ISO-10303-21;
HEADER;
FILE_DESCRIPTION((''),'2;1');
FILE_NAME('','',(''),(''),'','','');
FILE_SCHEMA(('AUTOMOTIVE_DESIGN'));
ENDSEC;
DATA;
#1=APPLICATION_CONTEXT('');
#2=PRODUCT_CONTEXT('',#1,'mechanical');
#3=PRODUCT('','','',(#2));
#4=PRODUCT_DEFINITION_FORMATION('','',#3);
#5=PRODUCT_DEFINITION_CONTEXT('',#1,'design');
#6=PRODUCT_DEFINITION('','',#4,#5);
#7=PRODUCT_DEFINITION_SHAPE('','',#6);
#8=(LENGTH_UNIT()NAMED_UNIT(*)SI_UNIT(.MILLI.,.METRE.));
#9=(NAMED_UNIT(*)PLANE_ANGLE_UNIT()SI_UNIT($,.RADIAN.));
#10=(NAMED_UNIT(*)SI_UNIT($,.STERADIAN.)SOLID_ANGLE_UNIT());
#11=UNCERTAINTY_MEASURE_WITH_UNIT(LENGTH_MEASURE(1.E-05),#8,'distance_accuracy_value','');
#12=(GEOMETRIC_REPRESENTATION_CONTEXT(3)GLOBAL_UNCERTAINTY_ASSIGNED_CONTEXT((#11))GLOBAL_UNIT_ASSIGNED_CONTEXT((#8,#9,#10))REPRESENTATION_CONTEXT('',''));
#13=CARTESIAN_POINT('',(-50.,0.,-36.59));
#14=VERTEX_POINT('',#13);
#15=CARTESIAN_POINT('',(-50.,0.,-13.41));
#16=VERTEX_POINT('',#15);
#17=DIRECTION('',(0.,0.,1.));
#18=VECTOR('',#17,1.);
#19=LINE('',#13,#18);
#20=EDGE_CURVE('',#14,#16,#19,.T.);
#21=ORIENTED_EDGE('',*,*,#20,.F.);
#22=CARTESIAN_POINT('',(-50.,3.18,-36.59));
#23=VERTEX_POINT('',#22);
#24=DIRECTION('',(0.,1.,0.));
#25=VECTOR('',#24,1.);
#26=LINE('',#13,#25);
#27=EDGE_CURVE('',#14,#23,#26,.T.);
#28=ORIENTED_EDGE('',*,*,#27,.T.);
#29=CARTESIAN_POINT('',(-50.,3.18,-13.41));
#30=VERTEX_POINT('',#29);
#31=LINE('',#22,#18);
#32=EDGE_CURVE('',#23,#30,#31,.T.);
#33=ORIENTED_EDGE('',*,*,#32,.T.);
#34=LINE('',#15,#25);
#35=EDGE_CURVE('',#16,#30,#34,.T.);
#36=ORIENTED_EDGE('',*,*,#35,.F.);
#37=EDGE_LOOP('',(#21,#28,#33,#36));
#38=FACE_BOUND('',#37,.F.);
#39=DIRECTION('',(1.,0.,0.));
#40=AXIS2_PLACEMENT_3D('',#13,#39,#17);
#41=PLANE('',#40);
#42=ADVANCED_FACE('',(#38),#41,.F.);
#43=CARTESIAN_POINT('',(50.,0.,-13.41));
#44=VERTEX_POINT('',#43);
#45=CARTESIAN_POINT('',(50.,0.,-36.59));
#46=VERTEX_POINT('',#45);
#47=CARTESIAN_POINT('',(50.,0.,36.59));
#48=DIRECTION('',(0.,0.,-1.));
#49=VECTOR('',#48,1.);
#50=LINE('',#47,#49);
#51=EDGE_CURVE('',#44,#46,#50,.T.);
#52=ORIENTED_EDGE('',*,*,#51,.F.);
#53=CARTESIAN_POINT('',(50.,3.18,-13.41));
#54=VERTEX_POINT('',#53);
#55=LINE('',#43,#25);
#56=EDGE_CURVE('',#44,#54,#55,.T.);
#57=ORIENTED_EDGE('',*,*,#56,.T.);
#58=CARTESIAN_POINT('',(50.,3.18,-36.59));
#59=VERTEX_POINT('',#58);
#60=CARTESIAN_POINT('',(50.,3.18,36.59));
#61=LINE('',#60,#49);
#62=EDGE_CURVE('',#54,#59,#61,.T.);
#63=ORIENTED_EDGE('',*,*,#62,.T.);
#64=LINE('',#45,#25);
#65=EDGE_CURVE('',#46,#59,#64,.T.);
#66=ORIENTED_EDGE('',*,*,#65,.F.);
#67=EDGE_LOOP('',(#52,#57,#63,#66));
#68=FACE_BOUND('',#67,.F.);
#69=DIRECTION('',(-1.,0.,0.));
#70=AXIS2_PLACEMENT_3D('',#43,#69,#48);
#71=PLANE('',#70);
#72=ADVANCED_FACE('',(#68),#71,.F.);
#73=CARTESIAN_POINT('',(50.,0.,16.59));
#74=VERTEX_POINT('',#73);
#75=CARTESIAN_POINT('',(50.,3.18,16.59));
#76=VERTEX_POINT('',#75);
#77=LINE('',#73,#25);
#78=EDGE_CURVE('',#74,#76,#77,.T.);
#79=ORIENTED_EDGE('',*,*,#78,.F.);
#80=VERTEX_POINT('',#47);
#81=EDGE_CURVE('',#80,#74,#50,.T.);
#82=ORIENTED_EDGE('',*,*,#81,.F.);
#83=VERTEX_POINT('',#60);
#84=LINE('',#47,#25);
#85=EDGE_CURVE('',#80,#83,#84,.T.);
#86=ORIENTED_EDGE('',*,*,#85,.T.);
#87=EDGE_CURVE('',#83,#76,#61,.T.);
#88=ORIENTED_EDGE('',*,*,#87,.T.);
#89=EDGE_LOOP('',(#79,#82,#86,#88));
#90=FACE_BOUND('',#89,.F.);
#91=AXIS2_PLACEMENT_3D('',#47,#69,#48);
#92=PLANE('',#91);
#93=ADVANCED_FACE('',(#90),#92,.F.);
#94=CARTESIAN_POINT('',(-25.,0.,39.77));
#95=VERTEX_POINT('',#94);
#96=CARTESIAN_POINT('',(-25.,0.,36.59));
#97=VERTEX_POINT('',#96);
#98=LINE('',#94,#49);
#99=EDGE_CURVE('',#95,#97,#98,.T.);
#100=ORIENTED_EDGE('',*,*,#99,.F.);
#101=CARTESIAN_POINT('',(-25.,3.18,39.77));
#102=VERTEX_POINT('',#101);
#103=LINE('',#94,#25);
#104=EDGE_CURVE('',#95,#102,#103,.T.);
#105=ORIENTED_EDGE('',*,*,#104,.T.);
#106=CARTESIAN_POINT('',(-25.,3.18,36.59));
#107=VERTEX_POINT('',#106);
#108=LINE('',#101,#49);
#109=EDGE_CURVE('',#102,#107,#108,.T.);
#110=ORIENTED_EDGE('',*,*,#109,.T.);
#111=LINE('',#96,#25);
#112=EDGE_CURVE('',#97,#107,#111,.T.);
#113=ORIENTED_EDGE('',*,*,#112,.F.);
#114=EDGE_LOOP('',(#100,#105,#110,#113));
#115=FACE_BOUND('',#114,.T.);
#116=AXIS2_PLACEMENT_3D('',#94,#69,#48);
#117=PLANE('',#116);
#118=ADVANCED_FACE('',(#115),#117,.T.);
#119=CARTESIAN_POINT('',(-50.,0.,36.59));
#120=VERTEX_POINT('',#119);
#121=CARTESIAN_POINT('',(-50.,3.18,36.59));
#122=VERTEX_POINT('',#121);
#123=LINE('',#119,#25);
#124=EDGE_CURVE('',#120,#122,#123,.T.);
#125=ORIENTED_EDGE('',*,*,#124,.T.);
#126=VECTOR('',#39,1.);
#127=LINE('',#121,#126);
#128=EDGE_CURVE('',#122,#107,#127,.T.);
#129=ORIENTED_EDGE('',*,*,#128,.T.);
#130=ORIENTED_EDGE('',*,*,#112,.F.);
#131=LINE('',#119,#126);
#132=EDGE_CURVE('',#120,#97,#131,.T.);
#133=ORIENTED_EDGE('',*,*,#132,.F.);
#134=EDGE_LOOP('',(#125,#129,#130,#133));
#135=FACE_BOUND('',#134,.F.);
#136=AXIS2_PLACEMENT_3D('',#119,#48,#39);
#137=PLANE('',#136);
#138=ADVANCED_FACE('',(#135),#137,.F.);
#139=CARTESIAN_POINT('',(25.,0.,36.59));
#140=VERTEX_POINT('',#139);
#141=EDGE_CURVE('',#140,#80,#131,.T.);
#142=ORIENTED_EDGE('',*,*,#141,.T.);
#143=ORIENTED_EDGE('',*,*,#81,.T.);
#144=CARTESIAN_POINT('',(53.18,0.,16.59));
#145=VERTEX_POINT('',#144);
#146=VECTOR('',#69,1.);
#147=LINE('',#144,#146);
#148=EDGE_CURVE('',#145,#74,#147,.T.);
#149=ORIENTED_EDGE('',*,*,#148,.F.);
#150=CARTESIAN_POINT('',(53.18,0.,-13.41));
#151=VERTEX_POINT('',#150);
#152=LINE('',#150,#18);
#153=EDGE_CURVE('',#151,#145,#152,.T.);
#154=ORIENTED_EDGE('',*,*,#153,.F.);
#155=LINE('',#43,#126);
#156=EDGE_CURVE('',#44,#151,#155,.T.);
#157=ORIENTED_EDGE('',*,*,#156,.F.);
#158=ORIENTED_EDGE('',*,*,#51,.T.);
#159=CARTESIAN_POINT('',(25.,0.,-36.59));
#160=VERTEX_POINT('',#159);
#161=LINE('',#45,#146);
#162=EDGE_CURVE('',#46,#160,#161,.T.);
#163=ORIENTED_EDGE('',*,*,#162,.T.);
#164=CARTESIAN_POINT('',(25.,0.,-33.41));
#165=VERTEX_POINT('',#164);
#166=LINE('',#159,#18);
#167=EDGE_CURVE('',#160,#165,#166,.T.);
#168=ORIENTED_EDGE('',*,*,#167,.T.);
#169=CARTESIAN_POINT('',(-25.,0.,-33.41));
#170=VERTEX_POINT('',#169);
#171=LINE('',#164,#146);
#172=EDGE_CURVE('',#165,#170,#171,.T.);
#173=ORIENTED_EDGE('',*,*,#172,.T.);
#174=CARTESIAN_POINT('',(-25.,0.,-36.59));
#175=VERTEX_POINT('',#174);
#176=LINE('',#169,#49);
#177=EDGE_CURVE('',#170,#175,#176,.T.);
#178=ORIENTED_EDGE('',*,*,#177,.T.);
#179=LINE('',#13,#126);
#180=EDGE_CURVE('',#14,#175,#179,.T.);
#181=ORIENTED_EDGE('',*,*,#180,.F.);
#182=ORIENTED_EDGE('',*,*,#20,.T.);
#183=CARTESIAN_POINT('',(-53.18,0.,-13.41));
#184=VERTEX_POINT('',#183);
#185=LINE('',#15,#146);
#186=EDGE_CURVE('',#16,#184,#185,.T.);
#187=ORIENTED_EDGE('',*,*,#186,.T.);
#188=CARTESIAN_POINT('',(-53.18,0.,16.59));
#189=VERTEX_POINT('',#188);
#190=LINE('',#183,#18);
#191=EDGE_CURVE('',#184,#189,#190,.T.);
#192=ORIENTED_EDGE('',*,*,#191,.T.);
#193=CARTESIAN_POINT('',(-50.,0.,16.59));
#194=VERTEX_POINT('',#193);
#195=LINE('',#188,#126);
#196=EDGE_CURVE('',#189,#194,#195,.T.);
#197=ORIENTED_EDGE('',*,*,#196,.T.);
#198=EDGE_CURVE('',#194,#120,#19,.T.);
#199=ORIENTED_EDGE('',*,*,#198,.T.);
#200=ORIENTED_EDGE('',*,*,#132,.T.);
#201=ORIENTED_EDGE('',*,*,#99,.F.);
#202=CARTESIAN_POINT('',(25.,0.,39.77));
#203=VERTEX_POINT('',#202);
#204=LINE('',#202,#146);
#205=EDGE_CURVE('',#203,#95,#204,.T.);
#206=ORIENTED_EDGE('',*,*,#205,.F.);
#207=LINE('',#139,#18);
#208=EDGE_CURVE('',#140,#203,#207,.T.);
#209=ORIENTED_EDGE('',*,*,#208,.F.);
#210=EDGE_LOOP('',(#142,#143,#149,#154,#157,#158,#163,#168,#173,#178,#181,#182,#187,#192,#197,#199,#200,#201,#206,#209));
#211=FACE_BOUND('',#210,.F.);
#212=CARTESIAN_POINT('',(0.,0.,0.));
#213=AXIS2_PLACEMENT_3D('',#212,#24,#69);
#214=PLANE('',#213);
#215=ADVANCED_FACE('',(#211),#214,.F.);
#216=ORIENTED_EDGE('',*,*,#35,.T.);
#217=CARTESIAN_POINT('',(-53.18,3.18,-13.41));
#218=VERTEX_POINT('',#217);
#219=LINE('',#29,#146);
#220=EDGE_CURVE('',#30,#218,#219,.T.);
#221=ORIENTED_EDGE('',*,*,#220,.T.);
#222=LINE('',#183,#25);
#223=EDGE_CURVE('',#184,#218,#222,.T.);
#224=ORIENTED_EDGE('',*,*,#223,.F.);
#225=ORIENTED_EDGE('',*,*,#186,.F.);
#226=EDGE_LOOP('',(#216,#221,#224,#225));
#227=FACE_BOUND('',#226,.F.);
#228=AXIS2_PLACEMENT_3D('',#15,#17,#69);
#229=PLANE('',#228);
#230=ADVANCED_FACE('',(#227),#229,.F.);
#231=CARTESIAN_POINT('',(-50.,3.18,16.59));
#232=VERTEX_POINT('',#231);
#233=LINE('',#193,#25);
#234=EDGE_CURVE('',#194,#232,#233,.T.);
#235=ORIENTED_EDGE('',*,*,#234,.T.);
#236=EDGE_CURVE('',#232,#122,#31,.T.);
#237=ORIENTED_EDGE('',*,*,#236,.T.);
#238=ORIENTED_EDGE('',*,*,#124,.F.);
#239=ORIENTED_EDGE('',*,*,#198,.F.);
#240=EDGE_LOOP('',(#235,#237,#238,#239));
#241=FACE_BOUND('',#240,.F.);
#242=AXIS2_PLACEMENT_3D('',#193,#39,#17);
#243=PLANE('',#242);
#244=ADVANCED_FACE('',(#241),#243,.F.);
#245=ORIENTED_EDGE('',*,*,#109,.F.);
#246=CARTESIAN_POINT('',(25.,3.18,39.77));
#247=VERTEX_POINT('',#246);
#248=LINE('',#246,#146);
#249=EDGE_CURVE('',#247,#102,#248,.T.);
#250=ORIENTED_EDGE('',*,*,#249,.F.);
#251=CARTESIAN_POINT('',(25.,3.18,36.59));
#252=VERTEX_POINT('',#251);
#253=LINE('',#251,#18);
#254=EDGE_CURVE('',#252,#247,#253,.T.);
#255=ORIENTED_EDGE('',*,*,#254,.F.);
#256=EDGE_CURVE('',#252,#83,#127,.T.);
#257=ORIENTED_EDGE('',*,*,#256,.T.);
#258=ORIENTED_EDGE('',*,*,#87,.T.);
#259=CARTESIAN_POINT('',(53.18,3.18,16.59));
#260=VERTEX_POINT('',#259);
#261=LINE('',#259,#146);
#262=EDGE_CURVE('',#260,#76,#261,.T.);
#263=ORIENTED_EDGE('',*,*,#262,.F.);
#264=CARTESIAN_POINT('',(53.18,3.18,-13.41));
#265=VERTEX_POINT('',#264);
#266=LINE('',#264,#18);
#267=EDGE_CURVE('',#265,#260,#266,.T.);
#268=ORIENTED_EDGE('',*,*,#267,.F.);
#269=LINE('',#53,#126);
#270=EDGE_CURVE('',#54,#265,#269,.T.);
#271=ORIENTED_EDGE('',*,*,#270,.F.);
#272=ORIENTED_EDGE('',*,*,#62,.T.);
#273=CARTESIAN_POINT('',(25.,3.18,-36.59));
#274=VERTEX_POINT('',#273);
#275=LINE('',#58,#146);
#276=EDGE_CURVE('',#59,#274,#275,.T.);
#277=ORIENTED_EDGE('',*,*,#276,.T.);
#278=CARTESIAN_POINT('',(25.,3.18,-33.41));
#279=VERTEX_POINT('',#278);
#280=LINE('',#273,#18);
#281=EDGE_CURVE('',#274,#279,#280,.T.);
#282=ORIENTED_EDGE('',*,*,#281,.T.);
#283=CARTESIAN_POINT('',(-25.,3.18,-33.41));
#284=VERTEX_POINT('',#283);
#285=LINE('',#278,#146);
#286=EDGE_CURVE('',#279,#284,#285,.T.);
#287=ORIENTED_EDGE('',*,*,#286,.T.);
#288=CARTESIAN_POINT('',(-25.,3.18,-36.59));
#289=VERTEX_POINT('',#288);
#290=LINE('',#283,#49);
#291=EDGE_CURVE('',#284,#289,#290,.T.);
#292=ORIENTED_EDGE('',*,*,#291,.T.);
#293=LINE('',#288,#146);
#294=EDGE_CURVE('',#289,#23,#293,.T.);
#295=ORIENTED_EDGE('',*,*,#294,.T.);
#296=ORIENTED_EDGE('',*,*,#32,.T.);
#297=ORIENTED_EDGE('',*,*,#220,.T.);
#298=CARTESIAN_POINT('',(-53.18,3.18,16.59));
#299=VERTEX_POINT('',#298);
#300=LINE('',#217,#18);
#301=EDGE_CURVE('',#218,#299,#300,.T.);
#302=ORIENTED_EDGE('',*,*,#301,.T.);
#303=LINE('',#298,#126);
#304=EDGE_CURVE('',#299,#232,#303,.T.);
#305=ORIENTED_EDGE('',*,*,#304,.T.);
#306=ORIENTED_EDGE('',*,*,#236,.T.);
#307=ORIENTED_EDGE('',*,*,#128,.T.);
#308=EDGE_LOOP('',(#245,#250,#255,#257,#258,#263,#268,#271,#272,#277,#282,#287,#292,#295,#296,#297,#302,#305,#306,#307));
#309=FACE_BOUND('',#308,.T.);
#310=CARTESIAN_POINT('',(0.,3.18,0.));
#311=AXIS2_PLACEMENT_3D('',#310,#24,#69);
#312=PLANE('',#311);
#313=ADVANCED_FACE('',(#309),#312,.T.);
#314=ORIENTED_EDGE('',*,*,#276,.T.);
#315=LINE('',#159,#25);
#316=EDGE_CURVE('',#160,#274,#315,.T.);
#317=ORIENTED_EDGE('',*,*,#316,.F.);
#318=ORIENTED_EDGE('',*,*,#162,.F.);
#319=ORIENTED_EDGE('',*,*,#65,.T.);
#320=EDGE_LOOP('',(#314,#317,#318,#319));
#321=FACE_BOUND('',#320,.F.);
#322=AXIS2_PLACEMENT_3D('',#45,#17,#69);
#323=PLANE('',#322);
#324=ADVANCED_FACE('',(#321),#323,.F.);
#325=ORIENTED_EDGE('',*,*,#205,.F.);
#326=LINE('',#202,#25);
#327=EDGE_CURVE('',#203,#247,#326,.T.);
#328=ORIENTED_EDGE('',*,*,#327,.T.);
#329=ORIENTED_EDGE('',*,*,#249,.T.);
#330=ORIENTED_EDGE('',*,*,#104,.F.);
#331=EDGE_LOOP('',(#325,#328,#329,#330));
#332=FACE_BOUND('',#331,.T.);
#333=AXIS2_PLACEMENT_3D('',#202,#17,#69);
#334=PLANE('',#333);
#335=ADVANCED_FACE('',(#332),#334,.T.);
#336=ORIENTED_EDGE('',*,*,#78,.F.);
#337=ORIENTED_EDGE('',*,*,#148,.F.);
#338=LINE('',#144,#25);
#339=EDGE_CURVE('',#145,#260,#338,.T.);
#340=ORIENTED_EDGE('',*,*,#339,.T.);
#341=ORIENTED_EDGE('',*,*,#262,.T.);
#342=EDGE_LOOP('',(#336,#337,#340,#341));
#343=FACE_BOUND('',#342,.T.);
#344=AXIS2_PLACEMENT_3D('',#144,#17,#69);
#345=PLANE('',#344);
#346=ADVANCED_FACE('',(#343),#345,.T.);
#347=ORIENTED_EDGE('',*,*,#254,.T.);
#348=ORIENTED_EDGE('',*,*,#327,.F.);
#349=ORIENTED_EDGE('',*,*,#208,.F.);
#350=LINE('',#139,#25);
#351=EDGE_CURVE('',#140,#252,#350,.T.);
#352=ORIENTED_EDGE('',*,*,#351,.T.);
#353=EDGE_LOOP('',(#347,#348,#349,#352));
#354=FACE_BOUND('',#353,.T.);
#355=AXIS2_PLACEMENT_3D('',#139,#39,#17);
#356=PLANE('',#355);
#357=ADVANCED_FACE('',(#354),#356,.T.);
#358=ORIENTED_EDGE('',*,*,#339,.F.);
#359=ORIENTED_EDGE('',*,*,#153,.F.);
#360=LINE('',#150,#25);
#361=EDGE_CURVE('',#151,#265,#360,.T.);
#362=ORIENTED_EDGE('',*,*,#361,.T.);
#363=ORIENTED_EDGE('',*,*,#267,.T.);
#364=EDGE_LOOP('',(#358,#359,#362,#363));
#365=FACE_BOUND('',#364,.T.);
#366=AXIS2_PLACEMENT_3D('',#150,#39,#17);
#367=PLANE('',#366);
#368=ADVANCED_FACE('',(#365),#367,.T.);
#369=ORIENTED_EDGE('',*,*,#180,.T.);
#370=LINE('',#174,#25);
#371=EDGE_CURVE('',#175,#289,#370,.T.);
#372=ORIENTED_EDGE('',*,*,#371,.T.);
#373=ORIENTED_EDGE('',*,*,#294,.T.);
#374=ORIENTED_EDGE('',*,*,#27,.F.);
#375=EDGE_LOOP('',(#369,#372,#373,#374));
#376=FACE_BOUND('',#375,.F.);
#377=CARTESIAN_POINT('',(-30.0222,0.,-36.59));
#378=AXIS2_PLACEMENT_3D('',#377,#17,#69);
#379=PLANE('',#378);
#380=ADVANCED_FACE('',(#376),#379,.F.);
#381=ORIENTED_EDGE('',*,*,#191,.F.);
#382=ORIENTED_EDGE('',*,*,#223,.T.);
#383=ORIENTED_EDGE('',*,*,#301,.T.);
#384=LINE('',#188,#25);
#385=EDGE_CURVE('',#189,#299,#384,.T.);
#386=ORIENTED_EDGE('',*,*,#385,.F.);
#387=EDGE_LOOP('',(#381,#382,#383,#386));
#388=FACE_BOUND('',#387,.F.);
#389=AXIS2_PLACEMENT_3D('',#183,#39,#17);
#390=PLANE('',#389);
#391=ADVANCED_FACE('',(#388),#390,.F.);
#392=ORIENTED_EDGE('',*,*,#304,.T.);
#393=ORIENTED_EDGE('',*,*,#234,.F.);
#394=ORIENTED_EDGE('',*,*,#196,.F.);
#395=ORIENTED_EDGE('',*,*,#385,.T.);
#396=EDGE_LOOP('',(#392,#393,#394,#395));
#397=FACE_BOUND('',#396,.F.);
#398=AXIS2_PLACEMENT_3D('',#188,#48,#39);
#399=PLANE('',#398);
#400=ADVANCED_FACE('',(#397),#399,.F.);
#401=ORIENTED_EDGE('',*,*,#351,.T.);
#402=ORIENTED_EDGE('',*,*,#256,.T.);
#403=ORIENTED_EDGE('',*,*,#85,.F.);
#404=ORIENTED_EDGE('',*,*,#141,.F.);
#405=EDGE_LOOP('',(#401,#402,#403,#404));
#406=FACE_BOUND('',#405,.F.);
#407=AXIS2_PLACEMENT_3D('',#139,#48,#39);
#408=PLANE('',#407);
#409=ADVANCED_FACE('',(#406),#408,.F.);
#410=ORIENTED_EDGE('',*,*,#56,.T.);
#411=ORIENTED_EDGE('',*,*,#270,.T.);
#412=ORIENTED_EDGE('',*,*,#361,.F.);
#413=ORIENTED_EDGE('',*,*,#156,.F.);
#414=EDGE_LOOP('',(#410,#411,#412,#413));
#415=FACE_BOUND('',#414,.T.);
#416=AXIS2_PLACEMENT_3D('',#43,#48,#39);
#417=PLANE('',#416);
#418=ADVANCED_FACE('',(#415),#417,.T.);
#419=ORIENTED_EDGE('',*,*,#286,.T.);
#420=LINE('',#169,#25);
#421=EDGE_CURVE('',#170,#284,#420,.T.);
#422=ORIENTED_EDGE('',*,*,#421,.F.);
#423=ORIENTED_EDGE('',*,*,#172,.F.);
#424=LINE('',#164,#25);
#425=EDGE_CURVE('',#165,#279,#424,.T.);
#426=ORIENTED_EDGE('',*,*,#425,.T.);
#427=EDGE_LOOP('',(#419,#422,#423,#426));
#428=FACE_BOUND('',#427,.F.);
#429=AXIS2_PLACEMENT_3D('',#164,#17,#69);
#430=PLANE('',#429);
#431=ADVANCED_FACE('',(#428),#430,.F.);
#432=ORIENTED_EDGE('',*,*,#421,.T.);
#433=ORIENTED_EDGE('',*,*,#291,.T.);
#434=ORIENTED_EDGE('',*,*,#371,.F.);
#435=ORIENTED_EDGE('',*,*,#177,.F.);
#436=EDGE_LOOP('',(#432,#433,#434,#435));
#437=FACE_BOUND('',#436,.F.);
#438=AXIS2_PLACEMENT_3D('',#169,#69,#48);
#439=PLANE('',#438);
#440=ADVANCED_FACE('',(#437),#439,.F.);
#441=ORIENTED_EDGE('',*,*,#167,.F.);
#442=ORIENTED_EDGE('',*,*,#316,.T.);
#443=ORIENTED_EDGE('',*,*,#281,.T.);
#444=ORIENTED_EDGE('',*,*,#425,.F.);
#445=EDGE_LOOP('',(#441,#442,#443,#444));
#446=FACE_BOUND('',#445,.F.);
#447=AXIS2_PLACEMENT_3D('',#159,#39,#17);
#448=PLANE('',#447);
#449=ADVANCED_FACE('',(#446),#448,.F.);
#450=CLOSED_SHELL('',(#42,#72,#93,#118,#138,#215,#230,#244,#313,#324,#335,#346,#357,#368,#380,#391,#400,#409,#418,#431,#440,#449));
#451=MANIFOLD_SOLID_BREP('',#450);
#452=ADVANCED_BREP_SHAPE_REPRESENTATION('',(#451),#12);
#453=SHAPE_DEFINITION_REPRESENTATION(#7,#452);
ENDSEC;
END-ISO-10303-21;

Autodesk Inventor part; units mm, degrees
ref_plane "YZ Plane" through (0, 0, 0) normal (1, 0, 0) x (0, 1, 0)
ref_plane "XZ Plane" through (0, 0, 0) normal (0, 1, 0) x (-1, 0, 0)
ref_plane "XY Plane" through (0, 0, 0) normal (0, 0, 1) x (1, 0, 0)
sketch "Boceto1" plane through (0, 0, 0) normal (0, 1, 0) x (-1, 0, 0)
  line L0 (-50, -36.59) -> (50, -36.59)
  line L1 (50, -36.59) -> (50, 36.59)
  line L2 (50, 36.59) -> (-50, 36.59)
  line L3 (-50, 36.59) -> (-50, -36.59)
  line L4 (-50, -36.59) -> (50, 36.59) construction
  line L5 (50, -36.59) -> (-50, 36.59) construction
  line L6 (-19.9778, -36.59) -> (30.0222, -36.59)
  line L7 (-25, 39.77) -> (25, 39.77)
  line L8 (25, 39.77) -> (25, 36.59)
  line L9 (25, 36.59) -> (-25, 36.59)
  line L10 (-25, 36.59) -> (-25, 39.77)
  line L11 (-50, -13.41) -> (-50, 16.59)
  line L12 (53.18, 16.59) -> (50, 16.59)
  line L13 (50, 16.59) -> (50, -13.41)
  line L14 (50, -13.41) -> (53.18, -13.41)
  line L15 (53.18, -13.41) -> (53.18, 16.59)
  line L16 (-25, -33.41) -> (25, -33.41)
  line L17 (25, -33.41) -> (25, -36.59)
  line L18 (25, -36.59) -> (-25, -36.59)
  line L19 (-25, -36.59) -> (-25, -33.41)
  line L20 (-53.18, 16.59) -> (-50, 16.59)
  line L21 (-50, 16.59) -> (-50, -13.41)
  line L22 (-50, -13.41) -> (-53.18, -13.41)
  line L23 (-53.18, -13.41) -> (-53.18, 16.59)
  point P0 (0, 0)
  point P1 (0, 0)
  point P2 (0, 0)
  dimension "d0" = 100
  dimension "d1" = 73.18
  dimension "d2" = 3.18
  dimension "d3" = 50
  dimension "d4" = 25
  dimension "d6" = 30
  dimension "d8" = 20
  dimension "d10" = 50
  dimension "d11" = 25
  dimension "d16" = 3.18
  dimension "d17" = 20
  dimension "d18" = 30
extrude "Extrusión1" add sketch "Boceto1" along normal blind 3.18 contours L3 L2 L1 L0 L17 L16 L19 | L22 L23 L20 L3 | L10 L7 L8 L2 | L1 L12 L15 L14
properties part number "BASE_TAPA"
